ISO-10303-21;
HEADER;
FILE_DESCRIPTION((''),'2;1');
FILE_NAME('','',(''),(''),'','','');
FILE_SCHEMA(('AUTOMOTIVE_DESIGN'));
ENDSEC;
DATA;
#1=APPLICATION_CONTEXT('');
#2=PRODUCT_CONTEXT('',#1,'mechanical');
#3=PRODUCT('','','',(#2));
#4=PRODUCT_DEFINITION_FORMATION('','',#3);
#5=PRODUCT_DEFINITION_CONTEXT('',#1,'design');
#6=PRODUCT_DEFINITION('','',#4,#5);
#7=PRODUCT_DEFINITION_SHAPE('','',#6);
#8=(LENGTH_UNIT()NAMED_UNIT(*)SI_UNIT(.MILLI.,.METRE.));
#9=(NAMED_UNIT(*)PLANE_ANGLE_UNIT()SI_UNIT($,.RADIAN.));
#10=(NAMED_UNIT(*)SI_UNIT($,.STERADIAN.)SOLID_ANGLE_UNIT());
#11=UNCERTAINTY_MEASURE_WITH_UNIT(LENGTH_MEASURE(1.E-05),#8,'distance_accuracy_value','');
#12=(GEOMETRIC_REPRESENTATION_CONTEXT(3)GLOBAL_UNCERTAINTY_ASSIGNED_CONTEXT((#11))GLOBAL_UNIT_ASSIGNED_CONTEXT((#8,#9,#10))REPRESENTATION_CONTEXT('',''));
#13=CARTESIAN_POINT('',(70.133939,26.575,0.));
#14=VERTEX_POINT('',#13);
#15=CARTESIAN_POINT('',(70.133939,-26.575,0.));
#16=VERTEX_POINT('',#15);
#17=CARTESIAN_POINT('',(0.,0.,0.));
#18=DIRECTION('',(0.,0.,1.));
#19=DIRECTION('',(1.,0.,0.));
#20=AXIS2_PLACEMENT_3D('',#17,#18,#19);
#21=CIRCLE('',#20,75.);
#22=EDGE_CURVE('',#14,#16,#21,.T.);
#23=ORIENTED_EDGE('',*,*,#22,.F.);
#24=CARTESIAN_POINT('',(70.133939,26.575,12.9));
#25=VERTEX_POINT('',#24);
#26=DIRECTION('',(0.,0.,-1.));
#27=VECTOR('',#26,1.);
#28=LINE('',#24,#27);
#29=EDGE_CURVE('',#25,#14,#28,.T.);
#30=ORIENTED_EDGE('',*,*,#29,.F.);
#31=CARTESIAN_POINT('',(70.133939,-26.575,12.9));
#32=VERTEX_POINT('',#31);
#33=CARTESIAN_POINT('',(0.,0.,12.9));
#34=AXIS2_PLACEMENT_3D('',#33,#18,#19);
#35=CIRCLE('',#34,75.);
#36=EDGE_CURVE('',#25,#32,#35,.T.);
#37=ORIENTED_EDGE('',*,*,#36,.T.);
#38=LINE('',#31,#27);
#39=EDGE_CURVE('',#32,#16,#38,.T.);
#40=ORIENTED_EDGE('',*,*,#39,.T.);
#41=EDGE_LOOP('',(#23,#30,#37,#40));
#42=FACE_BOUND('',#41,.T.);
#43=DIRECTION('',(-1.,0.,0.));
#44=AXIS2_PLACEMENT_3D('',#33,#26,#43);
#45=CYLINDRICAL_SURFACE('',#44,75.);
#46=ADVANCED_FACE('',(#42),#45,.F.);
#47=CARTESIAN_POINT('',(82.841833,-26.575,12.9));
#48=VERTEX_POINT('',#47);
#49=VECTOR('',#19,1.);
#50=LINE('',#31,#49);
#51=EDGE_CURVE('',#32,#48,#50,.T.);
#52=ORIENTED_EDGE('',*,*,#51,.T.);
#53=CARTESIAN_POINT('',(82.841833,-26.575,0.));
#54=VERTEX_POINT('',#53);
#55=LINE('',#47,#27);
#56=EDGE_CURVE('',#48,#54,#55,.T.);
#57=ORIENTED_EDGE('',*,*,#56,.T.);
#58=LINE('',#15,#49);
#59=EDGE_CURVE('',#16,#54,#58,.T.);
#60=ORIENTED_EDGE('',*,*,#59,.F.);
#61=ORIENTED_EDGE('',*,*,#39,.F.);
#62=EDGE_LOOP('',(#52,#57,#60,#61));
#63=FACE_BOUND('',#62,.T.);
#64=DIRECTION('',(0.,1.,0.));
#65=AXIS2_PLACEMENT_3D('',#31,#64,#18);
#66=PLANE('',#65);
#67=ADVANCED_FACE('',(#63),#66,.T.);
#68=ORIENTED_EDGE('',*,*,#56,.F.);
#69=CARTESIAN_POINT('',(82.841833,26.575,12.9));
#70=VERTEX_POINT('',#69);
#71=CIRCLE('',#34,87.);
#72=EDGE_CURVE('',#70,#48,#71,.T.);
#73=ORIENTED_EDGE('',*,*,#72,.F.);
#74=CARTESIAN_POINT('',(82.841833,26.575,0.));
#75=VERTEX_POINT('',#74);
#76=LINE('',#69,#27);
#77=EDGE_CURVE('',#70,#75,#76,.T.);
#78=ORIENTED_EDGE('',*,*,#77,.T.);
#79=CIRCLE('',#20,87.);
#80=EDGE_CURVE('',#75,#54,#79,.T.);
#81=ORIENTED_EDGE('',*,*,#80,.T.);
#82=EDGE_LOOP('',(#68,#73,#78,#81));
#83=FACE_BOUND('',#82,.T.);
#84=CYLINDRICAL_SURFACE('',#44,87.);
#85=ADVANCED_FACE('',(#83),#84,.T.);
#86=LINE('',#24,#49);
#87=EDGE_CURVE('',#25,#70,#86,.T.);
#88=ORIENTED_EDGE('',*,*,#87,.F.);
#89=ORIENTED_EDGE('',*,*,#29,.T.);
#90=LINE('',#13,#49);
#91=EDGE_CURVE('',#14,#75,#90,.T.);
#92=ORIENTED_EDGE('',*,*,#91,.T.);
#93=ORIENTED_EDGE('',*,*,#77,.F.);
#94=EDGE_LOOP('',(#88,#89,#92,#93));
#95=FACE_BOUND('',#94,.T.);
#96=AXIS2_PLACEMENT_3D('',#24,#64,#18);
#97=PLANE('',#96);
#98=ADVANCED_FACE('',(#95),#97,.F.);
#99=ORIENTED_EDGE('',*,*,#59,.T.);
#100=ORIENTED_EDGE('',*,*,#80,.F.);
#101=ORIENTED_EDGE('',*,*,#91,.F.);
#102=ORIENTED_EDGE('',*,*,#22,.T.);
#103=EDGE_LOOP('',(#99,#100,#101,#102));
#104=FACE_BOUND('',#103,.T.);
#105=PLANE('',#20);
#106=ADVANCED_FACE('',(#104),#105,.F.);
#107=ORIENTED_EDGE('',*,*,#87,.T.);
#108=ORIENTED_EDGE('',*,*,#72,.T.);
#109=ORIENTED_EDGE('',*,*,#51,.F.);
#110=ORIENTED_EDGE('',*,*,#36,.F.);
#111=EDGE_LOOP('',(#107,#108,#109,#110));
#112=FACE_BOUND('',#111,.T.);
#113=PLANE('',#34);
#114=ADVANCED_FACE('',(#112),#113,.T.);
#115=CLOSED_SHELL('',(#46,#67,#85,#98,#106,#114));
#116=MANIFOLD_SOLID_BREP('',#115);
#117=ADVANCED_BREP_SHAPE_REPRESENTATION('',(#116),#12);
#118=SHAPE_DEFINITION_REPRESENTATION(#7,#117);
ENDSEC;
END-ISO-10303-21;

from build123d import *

# Parameters (mm, degrees)
BOSS_EXTRUDE1_DEPTH = 12.9


with BuildPart() as part:
    # Sketch1 → Boss-Extrude1 (new body)
    with BuildSketch(Plane.XY):
        with BuildLine():
            Line((70.133938824, 26.575), (82.841833484, 26.575))
            ThreePointArc((82.841833484, 26.575), (-87, 0), (82.841833484, -26.575))
            Line((82.841833484, -26.575), (70.133938824, -26.575))
            ThreePointArc((70.133938824, -26.575), (-75, 0), (70.133938824, 26.575))
        make_face()
    extrude(amount=BOSS_EXTRUDE1_DEPTH)


solid = part.part
